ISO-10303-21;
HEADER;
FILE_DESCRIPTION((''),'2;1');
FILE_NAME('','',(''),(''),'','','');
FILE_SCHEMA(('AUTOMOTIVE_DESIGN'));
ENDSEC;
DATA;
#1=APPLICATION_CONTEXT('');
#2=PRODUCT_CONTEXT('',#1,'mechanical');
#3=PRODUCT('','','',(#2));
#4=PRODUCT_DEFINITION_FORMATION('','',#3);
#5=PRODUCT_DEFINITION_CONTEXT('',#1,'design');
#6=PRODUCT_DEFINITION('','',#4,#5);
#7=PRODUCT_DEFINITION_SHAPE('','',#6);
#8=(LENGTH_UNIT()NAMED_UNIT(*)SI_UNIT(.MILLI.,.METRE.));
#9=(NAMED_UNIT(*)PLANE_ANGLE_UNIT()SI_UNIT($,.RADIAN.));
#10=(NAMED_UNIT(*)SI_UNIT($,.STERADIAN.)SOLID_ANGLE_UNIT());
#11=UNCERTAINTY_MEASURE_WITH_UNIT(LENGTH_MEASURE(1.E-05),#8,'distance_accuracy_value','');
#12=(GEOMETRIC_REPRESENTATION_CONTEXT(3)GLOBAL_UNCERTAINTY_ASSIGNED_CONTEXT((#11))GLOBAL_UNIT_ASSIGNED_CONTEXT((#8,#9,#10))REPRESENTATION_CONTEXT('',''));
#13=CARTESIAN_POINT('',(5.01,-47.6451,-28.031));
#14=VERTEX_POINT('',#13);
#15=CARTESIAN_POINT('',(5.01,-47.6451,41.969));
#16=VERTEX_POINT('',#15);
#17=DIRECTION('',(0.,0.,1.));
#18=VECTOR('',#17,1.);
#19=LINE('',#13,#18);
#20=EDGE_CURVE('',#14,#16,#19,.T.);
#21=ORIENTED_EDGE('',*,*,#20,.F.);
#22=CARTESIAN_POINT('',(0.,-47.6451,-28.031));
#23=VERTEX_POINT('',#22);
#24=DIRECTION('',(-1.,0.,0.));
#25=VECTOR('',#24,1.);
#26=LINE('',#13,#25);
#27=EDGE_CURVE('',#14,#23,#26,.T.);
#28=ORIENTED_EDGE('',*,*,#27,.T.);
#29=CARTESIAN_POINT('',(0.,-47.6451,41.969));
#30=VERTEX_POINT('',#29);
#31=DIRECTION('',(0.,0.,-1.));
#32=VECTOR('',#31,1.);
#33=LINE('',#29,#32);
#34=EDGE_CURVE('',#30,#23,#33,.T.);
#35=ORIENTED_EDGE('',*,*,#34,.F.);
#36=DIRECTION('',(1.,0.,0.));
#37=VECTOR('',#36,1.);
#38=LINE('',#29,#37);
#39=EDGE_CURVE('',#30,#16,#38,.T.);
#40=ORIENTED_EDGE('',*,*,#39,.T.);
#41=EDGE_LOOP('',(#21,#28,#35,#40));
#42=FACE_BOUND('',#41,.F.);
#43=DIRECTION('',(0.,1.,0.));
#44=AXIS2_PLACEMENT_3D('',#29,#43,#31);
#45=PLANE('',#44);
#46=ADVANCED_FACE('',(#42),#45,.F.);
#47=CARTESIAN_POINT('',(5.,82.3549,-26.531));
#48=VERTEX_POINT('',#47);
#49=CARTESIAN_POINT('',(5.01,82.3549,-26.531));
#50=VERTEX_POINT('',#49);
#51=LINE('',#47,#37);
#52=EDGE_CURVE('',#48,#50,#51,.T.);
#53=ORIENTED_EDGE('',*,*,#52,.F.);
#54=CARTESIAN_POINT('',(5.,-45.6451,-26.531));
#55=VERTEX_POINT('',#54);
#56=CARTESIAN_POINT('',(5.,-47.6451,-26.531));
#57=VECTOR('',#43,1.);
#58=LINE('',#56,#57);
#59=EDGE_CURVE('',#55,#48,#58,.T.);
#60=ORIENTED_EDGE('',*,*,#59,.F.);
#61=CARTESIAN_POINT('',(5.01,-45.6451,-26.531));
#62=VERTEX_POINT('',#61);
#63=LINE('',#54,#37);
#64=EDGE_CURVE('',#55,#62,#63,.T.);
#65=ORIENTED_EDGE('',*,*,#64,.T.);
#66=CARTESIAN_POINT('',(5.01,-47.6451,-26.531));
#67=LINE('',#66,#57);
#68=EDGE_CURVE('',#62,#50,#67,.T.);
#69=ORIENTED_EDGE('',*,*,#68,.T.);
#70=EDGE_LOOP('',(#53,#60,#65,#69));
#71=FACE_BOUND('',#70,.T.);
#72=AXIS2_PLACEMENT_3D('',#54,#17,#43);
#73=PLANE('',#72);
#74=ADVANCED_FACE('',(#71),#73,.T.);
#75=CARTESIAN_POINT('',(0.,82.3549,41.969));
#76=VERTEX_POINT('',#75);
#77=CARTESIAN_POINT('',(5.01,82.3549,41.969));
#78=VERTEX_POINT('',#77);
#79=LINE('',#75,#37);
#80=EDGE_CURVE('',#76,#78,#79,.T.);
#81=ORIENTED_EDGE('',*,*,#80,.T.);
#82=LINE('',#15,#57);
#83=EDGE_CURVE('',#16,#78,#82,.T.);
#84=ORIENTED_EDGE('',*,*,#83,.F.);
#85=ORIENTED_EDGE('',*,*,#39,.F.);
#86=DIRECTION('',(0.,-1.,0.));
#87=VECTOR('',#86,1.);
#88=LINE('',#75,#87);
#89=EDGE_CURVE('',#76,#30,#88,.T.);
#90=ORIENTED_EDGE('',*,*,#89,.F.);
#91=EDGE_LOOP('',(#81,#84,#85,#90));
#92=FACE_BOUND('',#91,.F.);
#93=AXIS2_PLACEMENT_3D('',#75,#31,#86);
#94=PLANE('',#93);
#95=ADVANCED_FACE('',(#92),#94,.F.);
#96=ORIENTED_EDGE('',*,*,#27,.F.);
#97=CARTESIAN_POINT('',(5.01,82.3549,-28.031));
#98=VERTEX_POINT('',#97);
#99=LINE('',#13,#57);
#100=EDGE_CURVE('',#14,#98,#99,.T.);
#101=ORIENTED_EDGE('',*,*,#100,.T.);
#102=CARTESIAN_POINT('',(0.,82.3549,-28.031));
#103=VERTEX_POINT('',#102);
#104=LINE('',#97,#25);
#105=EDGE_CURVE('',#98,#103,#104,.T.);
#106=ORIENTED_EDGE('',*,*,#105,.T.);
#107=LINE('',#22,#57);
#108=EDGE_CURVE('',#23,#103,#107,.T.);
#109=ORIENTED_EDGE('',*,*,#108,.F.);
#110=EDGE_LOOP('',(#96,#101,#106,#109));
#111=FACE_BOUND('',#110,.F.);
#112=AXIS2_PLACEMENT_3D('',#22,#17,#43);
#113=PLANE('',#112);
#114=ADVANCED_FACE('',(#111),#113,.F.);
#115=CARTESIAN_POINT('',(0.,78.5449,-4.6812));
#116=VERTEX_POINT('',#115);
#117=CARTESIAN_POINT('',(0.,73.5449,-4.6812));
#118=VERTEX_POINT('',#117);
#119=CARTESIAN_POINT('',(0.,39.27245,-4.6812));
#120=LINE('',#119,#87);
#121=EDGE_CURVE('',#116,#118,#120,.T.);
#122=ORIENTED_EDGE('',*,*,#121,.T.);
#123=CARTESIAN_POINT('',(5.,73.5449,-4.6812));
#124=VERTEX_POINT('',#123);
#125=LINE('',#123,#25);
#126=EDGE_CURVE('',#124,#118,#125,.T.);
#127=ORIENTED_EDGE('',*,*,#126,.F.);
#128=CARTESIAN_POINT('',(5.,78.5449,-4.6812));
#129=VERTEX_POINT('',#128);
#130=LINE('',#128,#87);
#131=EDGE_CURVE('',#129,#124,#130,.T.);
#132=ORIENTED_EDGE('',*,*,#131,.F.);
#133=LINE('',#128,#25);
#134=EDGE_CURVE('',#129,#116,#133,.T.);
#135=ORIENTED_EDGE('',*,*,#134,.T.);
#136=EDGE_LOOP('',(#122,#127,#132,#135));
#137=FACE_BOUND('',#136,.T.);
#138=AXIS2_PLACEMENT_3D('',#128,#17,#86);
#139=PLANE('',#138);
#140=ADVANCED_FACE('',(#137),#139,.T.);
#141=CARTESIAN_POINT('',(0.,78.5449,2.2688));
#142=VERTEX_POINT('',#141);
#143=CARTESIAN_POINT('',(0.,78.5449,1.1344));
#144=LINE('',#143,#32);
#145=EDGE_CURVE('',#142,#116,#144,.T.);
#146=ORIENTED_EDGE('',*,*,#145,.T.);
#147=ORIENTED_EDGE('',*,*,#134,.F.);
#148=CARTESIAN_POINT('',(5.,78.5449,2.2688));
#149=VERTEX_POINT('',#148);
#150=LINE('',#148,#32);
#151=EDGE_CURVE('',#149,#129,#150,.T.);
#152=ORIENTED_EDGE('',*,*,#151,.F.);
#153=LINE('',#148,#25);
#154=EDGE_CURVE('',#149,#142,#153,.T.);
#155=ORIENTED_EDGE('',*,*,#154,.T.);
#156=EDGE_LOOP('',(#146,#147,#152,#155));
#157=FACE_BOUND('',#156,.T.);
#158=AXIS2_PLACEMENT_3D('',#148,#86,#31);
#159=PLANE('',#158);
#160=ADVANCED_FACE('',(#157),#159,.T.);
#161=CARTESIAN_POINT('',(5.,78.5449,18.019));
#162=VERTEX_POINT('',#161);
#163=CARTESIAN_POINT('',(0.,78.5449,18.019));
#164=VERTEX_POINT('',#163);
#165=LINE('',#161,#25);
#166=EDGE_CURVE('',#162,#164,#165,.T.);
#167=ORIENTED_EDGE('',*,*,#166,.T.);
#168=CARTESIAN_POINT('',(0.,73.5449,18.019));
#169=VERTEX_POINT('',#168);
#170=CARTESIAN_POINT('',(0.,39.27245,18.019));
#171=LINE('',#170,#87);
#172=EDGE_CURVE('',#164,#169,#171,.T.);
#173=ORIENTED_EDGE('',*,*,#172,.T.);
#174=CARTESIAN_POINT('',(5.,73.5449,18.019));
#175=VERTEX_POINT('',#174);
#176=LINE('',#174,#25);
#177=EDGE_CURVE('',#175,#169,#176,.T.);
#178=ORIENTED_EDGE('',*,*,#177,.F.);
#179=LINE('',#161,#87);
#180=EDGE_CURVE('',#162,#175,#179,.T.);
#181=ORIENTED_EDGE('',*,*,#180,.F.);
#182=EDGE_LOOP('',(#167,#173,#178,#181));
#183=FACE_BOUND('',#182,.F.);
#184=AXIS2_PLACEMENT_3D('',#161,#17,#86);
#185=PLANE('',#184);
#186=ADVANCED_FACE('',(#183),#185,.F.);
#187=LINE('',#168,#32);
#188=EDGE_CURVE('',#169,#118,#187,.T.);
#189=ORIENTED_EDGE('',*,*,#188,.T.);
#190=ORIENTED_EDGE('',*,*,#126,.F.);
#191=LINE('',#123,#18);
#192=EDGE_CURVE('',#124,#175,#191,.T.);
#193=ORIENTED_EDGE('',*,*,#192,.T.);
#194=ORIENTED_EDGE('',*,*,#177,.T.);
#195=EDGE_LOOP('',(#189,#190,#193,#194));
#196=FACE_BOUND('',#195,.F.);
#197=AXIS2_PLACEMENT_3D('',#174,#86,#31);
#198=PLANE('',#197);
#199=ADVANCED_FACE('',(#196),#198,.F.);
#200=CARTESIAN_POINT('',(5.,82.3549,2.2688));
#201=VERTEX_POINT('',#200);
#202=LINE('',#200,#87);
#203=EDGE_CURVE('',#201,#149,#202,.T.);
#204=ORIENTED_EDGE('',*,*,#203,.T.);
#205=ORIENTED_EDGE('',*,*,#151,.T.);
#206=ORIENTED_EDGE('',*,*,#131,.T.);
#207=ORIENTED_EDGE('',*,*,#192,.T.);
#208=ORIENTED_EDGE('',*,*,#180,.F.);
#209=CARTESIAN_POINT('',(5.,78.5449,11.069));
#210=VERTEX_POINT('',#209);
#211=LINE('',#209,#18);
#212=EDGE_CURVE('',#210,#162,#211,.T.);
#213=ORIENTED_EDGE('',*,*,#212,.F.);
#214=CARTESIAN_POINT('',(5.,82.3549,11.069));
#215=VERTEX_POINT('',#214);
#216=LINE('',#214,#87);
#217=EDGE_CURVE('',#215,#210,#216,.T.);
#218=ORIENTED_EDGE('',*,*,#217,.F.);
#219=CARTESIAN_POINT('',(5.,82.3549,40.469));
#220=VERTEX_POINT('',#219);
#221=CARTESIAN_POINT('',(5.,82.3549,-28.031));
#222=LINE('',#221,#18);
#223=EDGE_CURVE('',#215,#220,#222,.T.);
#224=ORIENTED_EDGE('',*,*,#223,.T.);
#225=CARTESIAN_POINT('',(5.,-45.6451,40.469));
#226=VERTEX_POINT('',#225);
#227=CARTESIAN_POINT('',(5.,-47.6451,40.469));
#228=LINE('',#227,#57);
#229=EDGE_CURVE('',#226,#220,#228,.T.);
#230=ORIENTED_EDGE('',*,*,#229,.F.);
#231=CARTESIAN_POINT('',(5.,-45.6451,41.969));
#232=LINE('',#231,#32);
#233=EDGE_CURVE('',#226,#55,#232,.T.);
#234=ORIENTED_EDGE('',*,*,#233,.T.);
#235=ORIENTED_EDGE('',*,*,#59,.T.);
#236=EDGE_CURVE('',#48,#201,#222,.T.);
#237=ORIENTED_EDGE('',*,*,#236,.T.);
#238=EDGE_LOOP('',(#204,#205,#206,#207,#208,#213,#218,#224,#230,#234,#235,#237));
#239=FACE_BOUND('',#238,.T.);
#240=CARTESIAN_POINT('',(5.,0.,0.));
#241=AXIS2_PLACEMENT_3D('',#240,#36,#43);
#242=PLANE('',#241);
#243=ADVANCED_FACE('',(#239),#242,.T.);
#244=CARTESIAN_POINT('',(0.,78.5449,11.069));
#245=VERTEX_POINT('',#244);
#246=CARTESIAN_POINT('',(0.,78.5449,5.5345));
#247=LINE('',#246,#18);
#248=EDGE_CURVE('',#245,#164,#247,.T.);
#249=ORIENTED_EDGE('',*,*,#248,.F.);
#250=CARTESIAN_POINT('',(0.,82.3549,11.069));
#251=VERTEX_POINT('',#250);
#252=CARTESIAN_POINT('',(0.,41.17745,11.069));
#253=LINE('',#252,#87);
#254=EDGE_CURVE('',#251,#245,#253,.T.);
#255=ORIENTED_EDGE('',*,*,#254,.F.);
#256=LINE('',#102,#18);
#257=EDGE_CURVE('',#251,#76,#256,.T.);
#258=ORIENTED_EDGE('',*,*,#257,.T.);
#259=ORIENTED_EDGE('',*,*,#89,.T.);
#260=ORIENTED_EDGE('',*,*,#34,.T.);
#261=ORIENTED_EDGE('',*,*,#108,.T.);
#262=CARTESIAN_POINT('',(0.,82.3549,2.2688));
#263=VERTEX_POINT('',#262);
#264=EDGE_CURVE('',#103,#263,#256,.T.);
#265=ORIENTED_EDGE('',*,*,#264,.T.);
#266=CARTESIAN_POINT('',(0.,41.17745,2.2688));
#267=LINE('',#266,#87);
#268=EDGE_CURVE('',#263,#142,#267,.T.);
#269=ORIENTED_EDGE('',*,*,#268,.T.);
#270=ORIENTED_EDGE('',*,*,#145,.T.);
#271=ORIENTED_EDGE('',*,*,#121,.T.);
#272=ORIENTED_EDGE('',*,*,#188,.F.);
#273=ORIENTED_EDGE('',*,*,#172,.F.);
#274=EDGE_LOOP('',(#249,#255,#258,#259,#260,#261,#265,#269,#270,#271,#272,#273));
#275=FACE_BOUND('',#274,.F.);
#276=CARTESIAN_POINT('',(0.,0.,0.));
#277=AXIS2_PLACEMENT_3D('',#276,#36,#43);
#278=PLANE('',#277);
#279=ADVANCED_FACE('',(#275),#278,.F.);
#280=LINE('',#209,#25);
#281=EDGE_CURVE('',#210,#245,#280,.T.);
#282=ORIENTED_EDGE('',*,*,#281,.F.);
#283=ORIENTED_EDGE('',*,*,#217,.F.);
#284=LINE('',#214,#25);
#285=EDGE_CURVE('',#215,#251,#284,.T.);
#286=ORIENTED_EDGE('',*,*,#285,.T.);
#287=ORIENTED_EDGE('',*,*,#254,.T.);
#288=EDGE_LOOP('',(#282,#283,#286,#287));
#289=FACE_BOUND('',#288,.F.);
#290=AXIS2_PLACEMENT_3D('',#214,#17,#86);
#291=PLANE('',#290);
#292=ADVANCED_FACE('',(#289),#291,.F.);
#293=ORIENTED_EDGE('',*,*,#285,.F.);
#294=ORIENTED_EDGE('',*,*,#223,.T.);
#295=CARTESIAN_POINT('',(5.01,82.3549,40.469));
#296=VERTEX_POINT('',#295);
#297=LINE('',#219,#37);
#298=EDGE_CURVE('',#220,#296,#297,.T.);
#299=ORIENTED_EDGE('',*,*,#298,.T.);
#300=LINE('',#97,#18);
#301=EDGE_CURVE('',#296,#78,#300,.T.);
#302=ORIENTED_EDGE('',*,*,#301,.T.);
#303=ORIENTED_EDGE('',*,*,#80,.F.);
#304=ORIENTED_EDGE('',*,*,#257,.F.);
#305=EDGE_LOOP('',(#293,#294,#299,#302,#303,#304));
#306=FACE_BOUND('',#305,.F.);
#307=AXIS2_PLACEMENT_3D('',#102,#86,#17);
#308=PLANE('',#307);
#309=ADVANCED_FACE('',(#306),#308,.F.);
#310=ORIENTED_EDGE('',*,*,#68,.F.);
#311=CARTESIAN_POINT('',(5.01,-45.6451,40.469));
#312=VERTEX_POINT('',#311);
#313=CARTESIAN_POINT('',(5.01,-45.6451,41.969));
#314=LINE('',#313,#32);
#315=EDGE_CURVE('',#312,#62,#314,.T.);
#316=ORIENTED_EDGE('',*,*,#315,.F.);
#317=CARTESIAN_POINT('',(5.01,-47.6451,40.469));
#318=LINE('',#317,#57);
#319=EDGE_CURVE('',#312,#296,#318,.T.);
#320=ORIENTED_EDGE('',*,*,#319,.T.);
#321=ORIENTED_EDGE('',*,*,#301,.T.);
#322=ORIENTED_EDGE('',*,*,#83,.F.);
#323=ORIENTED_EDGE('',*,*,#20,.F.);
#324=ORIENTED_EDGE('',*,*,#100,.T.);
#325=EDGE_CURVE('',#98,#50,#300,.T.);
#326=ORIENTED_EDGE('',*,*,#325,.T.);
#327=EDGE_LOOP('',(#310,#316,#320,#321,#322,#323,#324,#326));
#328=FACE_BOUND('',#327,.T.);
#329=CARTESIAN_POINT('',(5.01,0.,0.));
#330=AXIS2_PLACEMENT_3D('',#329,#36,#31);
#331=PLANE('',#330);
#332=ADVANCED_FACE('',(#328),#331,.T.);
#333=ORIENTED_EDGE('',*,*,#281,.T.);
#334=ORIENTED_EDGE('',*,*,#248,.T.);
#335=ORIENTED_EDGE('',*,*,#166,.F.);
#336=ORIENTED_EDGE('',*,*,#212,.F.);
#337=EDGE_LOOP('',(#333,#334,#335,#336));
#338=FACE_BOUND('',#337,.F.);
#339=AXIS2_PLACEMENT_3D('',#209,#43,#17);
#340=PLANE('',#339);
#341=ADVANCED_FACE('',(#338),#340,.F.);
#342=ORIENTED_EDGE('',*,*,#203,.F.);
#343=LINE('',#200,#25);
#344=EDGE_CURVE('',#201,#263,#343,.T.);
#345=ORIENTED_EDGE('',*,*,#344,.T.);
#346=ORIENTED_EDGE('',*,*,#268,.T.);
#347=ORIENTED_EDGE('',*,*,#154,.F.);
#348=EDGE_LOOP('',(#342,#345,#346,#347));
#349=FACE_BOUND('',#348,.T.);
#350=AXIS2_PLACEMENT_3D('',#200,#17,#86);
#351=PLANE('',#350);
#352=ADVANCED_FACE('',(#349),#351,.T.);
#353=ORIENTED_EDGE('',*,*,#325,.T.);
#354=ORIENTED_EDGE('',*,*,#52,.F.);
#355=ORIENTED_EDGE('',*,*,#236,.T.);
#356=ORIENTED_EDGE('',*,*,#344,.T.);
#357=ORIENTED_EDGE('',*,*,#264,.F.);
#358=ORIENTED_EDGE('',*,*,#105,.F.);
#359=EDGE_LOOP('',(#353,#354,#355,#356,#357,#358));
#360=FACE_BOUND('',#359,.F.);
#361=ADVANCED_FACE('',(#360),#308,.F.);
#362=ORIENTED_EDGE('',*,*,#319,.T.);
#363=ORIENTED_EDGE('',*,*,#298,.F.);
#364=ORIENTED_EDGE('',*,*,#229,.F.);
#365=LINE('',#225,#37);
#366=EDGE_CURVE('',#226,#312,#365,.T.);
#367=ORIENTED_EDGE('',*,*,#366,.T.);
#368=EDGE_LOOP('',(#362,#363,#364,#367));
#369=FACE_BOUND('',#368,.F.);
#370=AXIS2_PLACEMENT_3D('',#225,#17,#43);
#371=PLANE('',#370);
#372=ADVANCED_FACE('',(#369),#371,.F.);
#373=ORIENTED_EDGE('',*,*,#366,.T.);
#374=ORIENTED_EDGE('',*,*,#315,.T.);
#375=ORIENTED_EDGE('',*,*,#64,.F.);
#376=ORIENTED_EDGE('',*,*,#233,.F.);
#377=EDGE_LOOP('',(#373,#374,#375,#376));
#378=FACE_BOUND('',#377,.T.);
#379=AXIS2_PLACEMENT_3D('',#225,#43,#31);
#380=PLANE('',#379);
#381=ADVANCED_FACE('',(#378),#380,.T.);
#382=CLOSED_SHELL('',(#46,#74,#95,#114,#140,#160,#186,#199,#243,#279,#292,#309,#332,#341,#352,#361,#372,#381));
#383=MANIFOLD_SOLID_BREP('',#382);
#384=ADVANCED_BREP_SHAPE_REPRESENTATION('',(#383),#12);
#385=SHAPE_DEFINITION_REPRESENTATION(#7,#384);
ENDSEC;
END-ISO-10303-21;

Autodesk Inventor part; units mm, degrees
ref_plane "YZ Plane" through (0, 0, 0) normal (1, 0, 0) x (0, 1, 0)
ref_plane "XZ Plane" through (0, 0, 0) normal (0, 1, 0) x (-1, 0, 0)
ref_plane "XY Plane" through (0, 0, 0) normal (0, 0, 1) x (1, 0, 0)
sketch "Sketch1" plane through (0, 0, 0) normal (1, 0, 0) x (0, 1, 0)
  line L0 (82.3549, 41.969) -> (-47.6451, 41.969)
  line L1 (-47.6451, 41.969) -> (-47.6451, -28.031)
  line L2 (-47.6451, -28.031) -> (82.3549, -28.031)
  line L3 (82.3549, -28.031) -> (82.3549, 41.969)
  point P0 (0, 0)
  dimension "d0" = 130
  dimension "d1" = 70
extrude "Extrusion1" add sketch "Sketch1" along normal blind 5
sketch "Sketch13" plane through (5, 0, 0) normal (1, 0, 0) x (0, 0, -1)
  line L0 (-41.969, -47.6451) -> (28.031, -47.6451) projected
  line L1 (28.031, 82.3549) -> (-41.969, 82.3549) projected
  line L2 (28.031, -47.6451) -> (26.531, -47.6451)
  line L3 (26.531, -47.6451) -> (26.531, 82.3549)
  line L4 (26.531, 82.3549) -> (28.031, 82.3549)
  line L5 (28.031, 82.3549) -> (28.031, -47.6451)
  line L6 (-41.969, 82.3549) -> (-41.969, -47.6451) projected
  line L7 (28.031, 82.3549) -> (-41.969, 82.3549) projected
  line L8 (-41.969, -47.6451) -> (-40.469, -47.6451)
  line L9 (-40.469, -47.6451) -> (-40.469, 82.3549)
  line L10 (-40.469, 82.3549) -> (-41.969, 82.3549)
  line L11 (-41.969, 82.3549) -> (-41.969, -47.6451)
  line L12 (28.031, -47.6451) -> (-41.969, -47.6451)
  line L13 (-41.969, -47.6451) -> (-41.969, -45.6451)
  line L14 (-41.969, -45.6451) -> (28.031, -45.6451)
  line L15 (28.031, -45.6451) -> (28.031, -47.6451)
  point P0 (0, 0)
  point P1 (10.031, 62.3549)
  point P2 (-5.969, 62.3549)
  point P3 (26.531, -45.6451)
  point P4 (-40.469, -45.6451)
  point P5 (18.031, 62.3549)
  dimension "d42" = 1.5
  dimension "d43" = 1.5
  dimension "d44" = 2
extrude "Extrusion7" add sketch "Sketch13" along normal blind 0.01 contours L6 L14 L9 L0 | L9 L14 L3 L0 | L6 L1 L9 L14 | L3 L14 L5 L0 | L3 L1 L5 L14
sketch "Sketch18" plane through (5, 0, 0) normal (1, 0, 0) x (0, 0, -1)
  line L0 (-10.769, 82.3549) -> (-2.569, 82.3549)
  line L1 (-2.569, 82.3549) -> (-2.2688, 82.3549)
  line L2 (-10.769, 82.3549) -> (-11.069, 82.3549)
  line L3 (-11.069, 82.3549) -> (-11.069, 78.5449)
  line L4 (-2.2688, 82.3549) -> (-2.2688, 78.5449)
  line L5 (-2.2688, 78.5449) -> (4.6812, 78.5449)
  line L6 (-11.069, 78.5449) -> (-18.019, 78.5449)
  line L7 (-18.019, 78.5449) -> (-18.019, 73.5449)
  line L8 (4.6812, 78.5449) -> (4.6812, 73.5449)
  line L9 (-18.019, 73.5449) -> (-7.137, 73.5449)
  line L10 (-7.137, 73.5449) -> (4.6812, 73.5449)
  line L11 (-2.2688, 82.3549) -> (-11.069, 82.3549)
  line L12 (26.531, 82.3549) -> (26.531, -45.6451) projected
  point P0 (0, 0)
  point P1 (4.531, 82.3549)
  point P2 (-3.669, 82.3549)
  point P3 (11.531, 82.3549)
  dimension "d78" = 7.4
  dimension "d79" = 3.81
  dimension "d81" = 3.81
  dimension "d83" = 6.95
  dimension "d85" = 6.95
  dimension "d86" = 5
  dimension "d87" = 5
  dimension "d88" = 8.8002
  dimension "d91" = 11.8183
  dimension "d92" = 10.8819
extrude "Extrusion10" cut sketch "Sketch18" against normal blind 7.9375
properties part number "baseplateinverseproto 1"
